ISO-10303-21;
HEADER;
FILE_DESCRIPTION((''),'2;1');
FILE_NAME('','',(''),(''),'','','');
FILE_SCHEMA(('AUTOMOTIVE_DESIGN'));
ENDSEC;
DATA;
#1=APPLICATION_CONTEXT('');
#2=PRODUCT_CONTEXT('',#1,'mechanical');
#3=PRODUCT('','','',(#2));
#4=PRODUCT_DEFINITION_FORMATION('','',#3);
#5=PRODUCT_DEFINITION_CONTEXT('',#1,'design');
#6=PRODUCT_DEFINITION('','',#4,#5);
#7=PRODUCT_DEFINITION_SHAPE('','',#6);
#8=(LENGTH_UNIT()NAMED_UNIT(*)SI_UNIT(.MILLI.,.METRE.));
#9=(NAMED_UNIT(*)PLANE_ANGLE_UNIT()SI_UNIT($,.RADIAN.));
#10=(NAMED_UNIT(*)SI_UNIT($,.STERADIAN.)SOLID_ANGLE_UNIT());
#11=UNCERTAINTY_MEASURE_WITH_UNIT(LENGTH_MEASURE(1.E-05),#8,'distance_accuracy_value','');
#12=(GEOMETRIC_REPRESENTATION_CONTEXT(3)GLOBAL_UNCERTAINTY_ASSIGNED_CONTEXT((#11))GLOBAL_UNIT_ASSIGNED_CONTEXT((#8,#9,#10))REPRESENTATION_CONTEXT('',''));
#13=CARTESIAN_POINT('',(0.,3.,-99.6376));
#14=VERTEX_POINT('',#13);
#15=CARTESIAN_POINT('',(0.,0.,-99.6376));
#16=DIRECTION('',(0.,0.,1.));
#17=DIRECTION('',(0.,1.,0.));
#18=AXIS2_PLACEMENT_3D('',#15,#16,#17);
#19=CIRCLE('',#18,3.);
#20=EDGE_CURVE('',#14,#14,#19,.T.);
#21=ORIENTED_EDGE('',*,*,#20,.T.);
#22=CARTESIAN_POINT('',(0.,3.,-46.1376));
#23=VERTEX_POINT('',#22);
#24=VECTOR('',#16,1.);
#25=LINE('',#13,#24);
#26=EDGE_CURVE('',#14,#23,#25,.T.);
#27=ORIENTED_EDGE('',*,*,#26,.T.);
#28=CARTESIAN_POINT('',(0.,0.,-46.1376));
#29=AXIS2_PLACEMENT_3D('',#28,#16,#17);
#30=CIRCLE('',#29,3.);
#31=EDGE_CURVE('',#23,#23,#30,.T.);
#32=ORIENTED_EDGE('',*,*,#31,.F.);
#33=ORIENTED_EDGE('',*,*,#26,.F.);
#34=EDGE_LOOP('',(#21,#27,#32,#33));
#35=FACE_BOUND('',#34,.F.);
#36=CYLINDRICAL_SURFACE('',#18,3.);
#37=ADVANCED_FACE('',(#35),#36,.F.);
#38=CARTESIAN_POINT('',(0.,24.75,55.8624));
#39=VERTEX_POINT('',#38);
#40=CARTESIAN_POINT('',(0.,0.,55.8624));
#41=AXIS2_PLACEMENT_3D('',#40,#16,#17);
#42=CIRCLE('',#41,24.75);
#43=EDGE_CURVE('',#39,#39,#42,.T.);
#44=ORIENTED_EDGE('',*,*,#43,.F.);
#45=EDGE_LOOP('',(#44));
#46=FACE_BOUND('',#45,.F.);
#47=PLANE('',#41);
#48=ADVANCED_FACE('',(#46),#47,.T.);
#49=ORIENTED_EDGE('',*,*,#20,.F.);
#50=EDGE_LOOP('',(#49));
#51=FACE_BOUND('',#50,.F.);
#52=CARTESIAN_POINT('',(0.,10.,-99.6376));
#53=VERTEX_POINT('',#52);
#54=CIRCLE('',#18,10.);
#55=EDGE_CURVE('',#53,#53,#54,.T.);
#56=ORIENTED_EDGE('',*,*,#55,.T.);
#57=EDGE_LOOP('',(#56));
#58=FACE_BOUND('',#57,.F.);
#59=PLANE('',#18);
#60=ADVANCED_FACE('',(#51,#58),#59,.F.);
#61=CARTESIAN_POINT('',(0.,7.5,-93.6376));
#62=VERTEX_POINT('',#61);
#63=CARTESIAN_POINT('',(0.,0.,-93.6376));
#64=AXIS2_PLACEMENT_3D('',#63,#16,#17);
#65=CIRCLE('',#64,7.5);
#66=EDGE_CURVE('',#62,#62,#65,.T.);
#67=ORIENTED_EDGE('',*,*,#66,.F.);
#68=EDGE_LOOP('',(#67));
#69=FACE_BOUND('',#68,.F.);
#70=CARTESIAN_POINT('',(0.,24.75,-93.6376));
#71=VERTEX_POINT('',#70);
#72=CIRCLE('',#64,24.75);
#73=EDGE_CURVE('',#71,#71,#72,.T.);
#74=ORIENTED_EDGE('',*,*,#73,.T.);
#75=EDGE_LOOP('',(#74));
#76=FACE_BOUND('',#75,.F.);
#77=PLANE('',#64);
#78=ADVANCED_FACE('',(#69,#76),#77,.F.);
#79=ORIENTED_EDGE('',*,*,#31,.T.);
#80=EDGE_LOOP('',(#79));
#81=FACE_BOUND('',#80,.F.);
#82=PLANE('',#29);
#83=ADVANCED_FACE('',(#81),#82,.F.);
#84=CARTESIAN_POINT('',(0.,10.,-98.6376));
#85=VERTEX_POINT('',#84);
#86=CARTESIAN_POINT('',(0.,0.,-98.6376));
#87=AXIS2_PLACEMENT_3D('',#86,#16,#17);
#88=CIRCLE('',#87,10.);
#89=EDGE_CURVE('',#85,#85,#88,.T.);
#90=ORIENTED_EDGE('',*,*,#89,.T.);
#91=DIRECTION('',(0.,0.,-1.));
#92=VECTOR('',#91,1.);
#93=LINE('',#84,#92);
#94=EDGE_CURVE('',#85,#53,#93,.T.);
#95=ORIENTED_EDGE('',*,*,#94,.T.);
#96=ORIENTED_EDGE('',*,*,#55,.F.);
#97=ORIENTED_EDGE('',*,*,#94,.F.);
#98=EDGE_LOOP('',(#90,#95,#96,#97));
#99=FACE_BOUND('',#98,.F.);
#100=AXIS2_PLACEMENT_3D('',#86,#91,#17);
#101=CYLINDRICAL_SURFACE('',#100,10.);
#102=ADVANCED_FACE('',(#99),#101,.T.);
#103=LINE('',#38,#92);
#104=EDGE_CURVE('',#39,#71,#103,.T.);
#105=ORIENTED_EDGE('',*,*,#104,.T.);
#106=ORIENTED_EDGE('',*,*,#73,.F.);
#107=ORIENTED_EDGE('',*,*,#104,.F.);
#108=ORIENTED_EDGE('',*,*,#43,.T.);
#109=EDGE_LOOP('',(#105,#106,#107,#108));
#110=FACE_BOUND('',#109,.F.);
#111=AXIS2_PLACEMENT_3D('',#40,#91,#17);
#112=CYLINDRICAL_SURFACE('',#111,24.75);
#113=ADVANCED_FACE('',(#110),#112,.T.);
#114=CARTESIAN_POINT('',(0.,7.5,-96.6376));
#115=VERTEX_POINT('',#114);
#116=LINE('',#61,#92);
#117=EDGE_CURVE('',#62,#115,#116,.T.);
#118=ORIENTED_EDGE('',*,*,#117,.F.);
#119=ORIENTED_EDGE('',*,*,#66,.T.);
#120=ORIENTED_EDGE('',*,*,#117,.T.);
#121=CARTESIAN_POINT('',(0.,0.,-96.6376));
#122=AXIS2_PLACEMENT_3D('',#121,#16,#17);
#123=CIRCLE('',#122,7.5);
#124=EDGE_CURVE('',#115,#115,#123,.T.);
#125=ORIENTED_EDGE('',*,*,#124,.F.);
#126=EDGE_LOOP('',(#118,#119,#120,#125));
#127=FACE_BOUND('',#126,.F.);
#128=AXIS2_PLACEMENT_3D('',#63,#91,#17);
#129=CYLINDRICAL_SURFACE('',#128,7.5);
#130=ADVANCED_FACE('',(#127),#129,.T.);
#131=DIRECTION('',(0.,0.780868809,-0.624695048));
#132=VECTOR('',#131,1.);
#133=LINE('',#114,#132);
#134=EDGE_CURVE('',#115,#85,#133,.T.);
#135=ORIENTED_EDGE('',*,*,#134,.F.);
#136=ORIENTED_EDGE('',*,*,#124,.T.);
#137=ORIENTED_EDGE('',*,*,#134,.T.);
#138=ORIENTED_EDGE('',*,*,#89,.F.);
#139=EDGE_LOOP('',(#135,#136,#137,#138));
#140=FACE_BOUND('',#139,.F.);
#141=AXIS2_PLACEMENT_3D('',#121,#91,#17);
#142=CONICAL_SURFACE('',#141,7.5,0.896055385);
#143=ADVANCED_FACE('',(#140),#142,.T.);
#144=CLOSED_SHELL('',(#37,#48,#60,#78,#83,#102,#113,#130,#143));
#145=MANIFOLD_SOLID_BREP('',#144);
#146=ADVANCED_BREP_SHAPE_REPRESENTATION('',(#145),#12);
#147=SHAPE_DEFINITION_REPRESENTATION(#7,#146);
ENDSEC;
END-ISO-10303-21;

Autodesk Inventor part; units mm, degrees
ref_plane "YZ Plane" through (0, 0, 0) normal (1, 0, 0) x (0, 1, 0)
ref_plane "XY Plane" through (0, 0, 0) normal (0, 0, 1) x (1, 0, 0)
sketch "Sketch1" plane through (0, 0, 0) normal (1, 0, 0) x (0, 1, 0)
  line L0 (0, -54.8873) -> (0, 55.2482)
  line L1 (0, 55.8624) -> (24.75, 55.8624)
  line L2 (24.75, 55.8624) -> (24.75, -93.6376)
  line L3 (24.75, -93.6376) -> (7.5, -93.6376)
  line L4 (7.5, -93.6376) -> (7.5, -96.6376)
  line L5 (7.5, -96.6376) -> (10, -98.6376)
  line L6 (10, -98.6376) -> (10, -99.6376)
  line L7 (10, -99.6376) -> (0, -99.6376)
  line L8 (0, -99.6376) -> (0, 55.8624)
  point P0 (0, 0)
  dimension "d0" = 155.5
  dimension "d1" = 24.75
  dimension "d2" = 7.5
  dimension "d3" = 10
  dimension "d4" = 6
  dimension "d5" = 1
  dimension "d6" = 2
revolve "Revolution1" add sketch "Sketch1" angle 360 about axis through (0, 0, -54.8873) along (0, 0, 1)
hole "Hole1" at (0, 0, -99.6376) direction (0, 0, 1) diameter 6 depth 53.5
properties part number "solenoid_body"
